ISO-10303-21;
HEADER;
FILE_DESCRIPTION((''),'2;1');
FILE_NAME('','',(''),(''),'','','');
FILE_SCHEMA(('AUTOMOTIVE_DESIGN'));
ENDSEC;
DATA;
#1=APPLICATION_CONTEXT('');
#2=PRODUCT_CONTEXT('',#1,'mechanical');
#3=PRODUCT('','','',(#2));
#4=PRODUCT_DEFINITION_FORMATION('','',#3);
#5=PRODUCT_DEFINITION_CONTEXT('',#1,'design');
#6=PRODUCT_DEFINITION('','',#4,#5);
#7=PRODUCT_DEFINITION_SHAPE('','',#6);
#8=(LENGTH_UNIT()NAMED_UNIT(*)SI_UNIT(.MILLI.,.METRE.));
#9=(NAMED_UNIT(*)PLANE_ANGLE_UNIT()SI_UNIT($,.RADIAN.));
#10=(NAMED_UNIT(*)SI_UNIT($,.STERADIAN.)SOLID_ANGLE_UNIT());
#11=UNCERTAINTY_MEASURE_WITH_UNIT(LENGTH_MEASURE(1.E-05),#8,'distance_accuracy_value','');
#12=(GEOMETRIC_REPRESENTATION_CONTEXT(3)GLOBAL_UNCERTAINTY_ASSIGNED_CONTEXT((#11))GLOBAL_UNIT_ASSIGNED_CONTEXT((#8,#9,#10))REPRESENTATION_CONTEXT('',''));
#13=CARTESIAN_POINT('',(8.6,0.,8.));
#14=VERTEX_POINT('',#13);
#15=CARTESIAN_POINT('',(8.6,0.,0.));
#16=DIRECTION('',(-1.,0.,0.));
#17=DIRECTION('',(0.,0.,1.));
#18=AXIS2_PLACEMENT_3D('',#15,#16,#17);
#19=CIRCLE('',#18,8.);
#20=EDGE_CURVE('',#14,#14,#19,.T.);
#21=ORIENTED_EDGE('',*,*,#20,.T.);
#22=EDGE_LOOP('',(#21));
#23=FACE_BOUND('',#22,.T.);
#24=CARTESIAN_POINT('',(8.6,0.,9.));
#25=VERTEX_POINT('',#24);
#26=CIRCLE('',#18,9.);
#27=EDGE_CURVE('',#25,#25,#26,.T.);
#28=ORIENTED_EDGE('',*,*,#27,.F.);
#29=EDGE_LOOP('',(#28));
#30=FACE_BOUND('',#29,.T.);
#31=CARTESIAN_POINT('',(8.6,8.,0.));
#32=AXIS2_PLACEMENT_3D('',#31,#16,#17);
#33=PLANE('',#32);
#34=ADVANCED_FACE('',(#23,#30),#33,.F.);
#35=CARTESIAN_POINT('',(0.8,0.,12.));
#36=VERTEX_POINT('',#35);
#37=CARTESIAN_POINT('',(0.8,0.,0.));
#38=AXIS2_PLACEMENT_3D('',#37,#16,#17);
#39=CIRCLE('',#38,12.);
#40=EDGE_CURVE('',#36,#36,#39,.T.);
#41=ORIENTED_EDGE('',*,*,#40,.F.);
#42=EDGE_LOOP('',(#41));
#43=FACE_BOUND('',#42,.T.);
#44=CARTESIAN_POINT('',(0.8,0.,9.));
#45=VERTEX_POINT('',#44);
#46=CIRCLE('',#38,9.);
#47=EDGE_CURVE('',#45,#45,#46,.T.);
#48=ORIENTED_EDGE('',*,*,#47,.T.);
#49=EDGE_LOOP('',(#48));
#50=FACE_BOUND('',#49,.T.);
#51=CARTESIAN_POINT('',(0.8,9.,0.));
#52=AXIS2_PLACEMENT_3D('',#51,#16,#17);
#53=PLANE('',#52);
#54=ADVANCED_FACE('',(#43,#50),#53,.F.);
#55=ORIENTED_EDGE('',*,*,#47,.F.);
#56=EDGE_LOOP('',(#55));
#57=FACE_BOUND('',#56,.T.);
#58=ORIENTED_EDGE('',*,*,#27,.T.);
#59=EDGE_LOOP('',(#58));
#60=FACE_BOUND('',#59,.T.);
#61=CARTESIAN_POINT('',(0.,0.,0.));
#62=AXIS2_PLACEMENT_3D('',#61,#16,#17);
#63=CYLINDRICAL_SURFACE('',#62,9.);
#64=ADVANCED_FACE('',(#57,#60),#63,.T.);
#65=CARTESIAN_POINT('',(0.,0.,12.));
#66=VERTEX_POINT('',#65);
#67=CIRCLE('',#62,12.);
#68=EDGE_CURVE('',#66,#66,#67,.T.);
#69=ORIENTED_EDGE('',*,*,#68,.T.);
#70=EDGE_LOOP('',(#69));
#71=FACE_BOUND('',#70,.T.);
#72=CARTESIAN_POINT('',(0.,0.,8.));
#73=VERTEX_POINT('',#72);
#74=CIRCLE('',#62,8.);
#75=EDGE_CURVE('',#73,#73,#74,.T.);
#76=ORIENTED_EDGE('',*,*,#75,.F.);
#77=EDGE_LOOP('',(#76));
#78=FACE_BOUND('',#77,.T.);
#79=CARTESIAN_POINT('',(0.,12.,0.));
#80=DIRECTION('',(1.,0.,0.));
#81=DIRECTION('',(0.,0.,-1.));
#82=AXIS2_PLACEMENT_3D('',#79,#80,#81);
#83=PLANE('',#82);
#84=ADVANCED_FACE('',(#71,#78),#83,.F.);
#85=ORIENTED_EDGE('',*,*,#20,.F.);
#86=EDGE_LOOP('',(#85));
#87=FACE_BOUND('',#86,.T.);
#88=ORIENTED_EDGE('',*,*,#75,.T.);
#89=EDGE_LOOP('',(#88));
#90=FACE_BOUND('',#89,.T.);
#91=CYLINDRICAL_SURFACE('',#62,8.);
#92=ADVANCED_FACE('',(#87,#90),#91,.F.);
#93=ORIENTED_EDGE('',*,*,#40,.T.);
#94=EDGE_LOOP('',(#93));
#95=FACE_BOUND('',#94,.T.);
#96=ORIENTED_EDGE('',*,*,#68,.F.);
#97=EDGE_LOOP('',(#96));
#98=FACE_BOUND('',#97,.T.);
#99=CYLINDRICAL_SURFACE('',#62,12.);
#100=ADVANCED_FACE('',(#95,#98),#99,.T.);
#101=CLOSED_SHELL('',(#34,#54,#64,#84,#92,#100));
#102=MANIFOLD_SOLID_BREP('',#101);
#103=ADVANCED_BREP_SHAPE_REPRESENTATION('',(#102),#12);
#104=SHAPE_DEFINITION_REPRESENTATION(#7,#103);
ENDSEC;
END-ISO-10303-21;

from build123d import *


with BuildPart() as part:
    # Esquisse1 → Révolution1 (revolve)
    with BuildSketch(Plane.XY):
        Polygon((0, 8), (8.6, 8), (8.6, 9), (0.8, 9), (0.8, 12), (0, 12), align=None)
    revolve(axis=Axis((0, 0, 0), (1, 0, 0)))


solid = part.part
